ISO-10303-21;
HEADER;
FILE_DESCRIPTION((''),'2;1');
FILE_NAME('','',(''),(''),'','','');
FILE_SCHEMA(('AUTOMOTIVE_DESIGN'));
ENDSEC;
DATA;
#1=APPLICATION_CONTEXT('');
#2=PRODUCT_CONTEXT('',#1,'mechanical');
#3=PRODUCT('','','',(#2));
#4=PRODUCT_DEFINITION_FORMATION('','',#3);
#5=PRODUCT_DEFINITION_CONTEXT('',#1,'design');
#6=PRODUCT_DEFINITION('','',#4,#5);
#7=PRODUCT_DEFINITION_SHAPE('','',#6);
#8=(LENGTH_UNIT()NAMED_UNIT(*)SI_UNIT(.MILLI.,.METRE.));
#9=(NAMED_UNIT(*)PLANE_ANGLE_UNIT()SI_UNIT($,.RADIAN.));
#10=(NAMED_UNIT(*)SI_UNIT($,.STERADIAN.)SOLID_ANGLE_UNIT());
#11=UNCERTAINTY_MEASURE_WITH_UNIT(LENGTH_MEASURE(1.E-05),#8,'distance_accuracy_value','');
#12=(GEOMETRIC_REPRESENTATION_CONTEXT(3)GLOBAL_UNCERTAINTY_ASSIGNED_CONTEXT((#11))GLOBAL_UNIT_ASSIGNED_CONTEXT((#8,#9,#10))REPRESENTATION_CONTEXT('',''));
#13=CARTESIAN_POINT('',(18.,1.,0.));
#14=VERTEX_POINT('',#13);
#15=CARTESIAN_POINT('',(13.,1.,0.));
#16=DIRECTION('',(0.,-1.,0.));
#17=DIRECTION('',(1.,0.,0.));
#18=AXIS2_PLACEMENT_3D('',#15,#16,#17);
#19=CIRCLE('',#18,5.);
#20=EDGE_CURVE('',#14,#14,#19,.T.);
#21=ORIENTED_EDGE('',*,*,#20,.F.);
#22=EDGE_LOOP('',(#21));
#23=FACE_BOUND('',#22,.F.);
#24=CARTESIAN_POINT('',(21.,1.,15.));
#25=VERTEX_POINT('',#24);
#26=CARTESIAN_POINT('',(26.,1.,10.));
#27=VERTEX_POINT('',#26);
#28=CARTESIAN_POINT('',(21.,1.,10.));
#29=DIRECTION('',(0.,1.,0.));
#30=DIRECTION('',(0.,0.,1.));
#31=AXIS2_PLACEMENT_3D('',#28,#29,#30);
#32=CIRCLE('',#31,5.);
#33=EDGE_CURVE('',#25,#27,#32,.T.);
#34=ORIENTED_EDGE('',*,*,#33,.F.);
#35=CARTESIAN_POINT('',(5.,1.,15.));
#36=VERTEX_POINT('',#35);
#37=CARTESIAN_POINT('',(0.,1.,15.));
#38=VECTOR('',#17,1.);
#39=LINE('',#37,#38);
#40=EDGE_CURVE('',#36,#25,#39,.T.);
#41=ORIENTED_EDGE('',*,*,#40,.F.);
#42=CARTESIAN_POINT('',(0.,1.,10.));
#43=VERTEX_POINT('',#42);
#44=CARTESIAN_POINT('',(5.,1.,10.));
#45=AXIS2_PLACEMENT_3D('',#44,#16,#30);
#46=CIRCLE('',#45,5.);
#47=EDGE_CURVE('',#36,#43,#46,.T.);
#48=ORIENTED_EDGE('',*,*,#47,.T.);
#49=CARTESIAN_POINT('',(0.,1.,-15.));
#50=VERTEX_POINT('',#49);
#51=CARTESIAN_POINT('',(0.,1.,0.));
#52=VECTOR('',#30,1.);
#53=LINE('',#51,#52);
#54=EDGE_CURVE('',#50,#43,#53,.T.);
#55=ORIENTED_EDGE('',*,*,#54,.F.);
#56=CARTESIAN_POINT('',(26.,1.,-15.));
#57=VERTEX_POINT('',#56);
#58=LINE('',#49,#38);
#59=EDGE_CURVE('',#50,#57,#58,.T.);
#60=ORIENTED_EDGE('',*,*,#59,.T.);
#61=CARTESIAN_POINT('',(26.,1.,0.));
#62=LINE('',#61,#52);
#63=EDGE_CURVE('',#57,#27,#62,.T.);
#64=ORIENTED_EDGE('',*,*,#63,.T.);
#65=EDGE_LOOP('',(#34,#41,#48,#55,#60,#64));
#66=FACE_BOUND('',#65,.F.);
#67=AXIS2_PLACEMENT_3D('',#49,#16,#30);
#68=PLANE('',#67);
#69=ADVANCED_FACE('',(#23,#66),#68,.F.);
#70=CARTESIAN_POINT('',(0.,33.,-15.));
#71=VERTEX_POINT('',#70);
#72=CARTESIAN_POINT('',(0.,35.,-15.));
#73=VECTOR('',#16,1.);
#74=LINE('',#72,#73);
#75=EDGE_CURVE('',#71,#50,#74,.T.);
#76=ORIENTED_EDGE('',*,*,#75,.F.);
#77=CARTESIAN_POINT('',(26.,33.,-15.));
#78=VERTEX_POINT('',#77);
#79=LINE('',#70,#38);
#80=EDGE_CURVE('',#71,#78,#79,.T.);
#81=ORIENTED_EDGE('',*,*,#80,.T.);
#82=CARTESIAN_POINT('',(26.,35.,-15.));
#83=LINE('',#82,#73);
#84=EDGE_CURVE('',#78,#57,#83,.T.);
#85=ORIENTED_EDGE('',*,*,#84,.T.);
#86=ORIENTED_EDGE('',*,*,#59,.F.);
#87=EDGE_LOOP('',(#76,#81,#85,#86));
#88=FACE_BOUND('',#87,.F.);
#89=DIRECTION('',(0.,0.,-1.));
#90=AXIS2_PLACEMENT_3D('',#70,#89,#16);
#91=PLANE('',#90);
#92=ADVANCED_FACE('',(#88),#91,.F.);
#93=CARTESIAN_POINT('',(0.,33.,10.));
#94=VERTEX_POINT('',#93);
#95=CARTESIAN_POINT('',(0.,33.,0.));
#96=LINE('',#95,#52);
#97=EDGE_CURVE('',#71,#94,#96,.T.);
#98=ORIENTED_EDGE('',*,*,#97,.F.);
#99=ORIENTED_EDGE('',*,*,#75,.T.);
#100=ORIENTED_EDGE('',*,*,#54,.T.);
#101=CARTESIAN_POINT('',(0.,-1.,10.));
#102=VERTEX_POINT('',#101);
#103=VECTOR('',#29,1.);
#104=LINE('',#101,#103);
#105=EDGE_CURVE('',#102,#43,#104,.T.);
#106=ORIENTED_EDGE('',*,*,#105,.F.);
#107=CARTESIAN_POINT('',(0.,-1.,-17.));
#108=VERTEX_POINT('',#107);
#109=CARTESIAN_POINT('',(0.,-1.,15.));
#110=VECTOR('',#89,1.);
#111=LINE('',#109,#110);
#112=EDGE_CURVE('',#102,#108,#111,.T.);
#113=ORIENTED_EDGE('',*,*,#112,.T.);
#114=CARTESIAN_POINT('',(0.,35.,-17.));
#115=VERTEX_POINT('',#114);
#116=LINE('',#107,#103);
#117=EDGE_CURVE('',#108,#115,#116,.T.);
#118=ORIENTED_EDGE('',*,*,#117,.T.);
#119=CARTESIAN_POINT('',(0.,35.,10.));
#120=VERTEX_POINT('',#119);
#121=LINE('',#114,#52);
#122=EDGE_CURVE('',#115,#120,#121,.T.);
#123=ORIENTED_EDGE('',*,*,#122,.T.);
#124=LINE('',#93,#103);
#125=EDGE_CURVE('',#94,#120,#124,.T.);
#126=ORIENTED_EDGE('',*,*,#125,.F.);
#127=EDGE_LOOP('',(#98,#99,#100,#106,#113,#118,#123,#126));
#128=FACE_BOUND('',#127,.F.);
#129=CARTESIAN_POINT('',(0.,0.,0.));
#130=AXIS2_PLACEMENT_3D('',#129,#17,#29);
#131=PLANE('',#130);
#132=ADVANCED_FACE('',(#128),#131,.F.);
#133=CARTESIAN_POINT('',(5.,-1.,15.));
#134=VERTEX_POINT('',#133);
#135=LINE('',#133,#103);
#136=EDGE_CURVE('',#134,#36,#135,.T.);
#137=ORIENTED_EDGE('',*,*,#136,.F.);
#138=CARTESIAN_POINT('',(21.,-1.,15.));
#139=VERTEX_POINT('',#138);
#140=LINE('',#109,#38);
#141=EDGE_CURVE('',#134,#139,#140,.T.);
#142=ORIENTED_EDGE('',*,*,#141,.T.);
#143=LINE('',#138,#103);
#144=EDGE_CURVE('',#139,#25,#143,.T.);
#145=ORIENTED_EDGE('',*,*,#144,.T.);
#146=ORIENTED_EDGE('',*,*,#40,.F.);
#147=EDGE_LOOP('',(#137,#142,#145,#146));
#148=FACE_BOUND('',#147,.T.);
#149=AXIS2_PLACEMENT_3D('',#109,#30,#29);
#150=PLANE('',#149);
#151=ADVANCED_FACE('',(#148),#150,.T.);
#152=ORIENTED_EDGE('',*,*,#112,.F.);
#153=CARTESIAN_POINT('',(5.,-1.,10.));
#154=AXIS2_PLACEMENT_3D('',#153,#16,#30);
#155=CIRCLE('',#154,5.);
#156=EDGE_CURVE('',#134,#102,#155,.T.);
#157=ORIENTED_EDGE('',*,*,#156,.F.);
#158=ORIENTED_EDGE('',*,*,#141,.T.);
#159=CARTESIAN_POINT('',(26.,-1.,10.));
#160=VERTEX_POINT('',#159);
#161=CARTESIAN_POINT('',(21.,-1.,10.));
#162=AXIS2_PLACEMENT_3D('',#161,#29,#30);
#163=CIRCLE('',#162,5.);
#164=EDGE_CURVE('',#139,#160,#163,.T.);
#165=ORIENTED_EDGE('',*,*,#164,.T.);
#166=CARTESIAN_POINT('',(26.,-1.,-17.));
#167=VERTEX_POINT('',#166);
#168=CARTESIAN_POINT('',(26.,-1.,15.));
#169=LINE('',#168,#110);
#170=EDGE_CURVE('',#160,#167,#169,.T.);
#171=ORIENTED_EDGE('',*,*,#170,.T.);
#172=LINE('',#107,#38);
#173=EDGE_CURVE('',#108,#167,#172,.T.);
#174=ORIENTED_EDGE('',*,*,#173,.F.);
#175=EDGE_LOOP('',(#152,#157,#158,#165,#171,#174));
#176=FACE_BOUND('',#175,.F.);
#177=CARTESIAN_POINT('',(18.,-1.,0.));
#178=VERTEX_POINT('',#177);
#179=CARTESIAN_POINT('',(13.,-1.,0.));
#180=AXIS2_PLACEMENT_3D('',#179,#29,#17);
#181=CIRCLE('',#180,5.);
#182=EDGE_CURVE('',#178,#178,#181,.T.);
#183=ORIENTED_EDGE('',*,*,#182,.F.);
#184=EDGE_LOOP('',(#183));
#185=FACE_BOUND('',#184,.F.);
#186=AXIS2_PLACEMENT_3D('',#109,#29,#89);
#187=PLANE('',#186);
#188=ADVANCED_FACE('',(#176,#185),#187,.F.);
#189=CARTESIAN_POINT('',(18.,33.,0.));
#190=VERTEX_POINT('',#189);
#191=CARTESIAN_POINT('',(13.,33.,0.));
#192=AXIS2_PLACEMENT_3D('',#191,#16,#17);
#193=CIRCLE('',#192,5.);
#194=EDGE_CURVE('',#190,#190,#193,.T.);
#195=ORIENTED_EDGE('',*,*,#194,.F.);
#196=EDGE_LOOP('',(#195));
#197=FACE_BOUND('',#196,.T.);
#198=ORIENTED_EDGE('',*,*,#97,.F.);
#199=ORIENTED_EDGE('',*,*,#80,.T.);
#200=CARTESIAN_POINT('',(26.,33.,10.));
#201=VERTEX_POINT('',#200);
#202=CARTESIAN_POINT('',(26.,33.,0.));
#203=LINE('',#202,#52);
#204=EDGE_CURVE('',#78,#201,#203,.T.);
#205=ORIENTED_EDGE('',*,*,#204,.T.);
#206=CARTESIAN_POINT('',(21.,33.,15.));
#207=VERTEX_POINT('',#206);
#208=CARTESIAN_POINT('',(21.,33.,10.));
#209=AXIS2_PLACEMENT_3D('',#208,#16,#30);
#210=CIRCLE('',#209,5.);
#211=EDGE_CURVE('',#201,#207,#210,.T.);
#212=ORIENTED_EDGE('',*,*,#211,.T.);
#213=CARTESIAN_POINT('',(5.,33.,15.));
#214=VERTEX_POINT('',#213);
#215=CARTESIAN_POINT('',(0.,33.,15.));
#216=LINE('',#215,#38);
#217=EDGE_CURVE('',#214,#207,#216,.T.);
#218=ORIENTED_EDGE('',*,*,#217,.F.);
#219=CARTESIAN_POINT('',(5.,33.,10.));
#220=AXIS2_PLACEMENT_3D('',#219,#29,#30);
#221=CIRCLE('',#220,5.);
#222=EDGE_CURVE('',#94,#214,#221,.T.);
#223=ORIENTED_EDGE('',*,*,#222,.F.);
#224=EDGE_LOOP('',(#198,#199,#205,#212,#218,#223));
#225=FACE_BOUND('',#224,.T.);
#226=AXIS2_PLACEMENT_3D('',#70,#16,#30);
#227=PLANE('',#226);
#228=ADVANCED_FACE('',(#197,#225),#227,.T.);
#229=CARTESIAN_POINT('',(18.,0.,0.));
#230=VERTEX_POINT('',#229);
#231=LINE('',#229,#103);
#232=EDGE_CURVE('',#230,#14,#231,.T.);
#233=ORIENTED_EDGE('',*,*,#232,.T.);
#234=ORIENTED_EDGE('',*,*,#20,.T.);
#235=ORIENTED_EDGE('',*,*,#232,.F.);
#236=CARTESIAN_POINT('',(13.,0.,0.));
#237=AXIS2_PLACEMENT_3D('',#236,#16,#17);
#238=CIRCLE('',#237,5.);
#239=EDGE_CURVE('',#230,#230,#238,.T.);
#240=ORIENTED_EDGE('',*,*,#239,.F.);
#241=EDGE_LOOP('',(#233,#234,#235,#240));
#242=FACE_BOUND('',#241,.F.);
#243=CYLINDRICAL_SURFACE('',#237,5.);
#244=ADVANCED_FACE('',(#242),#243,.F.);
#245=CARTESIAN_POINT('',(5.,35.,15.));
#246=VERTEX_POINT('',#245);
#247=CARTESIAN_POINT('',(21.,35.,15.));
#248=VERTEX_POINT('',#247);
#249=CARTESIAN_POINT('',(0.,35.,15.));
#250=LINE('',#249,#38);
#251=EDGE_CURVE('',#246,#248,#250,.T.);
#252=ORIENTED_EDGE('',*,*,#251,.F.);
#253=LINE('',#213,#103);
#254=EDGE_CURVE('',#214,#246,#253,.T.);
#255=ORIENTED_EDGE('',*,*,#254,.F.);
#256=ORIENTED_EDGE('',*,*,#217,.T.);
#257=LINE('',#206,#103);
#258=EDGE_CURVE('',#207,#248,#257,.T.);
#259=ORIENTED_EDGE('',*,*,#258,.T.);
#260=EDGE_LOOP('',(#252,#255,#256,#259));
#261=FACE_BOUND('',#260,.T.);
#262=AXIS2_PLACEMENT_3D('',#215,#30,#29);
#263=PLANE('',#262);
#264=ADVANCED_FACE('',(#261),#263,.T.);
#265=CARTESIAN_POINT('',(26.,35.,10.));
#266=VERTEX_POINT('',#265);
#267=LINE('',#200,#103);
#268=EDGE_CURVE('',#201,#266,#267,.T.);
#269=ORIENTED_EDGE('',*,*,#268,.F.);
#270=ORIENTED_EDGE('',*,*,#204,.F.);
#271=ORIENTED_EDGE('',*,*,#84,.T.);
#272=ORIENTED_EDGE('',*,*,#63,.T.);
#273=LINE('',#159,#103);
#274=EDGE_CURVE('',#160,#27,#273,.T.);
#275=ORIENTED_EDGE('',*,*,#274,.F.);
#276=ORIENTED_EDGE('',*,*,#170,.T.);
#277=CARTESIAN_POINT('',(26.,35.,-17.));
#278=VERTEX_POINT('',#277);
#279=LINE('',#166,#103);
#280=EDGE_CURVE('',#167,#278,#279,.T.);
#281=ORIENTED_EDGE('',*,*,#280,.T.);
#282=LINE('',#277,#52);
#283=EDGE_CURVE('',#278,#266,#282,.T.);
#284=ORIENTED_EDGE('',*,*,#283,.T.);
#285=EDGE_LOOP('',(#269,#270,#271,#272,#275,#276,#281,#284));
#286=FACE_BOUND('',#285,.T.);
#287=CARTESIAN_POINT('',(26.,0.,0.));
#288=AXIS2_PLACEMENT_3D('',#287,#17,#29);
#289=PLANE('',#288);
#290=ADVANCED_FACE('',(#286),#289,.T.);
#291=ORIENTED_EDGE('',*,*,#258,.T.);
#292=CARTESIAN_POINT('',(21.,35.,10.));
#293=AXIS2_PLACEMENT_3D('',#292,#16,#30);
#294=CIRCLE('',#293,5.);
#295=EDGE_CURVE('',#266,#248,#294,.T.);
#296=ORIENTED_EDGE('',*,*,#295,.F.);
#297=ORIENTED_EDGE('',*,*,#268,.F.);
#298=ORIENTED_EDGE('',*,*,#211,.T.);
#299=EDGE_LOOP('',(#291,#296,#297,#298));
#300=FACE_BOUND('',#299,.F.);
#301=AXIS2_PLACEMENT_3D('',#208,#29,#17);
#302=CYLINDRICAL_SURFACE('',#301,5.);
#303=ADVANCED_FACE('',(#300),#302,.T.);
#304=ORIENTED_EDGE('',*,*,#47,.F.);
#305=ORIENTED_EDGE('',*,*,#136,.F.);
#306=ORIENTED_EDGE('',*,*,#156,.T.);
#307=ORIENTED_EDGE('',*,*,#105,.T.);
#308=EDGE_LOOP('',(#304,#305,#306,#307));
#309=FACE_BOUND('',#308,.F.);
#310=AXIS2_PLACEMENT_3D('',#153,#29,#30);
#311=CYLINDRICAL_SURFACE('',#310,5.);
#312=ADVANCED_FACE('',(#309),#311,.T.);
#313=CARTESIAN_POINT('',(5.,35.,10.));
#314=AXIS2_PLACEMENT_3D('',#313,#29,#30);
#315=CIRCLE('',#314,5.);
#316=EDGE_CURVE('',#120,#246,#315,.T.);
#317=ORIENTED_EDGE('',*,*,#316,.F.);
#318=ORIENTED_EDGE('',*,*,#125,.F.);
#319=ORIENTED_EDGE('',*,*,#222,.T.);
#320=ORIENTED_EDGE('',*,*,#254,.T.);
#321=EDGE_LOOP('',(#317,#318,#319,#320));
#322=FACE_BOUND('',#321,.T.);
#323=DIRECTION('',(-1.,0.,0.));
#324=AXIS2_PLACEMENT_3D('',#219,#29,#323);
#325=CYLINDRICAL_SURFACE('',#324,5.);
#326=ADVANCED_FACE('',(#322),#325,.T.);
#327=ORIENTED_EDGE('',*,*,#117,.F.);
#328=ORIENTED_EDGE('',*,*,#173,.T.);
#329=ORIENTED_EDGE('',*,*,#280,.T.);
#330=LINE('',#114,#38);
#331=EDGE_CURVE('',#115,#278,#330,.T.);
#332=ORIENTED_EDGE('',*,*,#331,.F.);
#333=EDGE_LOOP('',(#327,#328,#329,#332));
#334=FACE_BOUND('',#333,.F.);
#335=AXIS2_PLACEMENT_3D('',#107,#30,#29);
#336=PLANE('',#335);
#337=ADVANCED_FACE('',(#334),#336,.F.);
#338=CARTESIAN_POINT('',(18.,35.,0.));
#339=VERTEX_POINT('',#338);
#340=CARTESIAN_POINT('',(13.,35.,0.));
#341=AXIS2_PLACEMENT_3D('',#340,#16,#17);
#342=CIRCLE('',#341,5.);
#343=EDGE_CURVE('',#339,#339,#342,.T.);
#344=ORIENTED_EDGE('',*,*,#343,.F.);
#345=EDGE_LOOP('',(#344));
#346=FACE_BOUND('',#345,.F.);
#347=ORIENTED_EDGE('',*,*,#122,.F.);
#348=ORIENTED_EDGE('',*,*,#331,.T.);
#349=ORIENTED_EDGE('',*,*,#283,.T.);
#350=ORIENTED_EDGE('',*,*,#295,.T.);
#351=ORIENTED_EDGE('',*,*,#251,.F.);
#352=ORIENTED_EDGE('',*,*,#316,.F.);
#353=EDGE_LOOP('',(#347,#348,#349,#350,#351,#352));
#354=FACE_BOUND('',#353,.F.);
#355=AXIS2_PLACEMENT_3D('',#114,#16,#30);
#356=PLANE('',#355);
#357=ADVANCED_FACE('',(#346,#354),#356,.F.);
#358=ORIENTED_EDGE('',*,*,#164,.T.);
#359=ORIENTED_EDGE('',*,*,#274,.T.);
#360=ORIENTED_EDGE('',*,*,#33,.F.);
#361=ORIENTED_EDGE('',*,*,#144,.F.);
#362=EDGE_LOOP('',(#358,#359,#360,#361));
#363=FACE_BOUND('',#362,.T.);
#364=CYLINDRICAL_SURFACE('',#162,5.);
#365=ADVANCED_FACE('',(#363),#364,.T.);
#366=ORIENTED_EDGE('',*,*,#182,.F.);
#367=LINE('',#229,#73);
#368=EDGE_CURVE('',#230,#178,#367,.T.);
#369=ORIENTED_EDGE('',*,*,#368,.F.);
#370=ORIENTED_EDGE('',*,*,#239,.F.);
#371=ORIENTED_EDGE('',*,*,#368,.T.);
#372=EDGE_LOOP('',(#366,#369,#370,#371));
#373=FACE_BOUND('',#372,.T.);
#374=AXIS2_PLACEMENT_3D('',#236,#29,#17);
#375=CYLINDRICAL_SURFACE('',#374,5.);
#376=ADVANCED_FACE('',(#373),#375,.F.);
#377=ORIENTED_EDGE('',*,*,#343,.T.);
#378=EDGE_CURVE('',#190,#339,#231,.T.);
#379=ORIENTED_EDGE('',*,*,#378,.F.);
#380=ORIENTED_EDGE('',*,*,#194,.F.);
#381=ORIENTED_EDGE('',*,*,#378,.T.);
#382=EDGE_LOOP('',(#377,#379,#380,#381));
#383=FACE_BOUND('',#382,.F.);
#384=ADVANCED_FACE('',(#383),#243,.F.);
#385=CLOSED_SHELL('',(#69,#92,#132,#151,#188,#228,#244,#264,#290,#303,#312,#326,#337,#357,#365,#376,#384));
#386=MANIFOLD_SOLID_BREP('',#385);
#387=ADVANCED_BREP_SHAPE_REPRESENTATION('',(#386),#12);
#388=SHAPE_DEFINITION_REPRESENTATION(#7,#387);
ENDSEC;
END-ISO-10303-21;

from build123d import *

# Parameters (mm, degrees)
F0_W     = 2
F0_H     = 30
F1_DEPTH = 26
F2_R     = 5
F3_DEPTH = 40.2
F4_R     = 5
F5_DEPTH = 23
F6_R     = 5


with BuildPart() as f1:
    # F0 (on Right) → F1 (new body)
    with BuildSketch(Plane.YZ):
        Rectangle(F0_W, F0_H)
        Polygon((1, -15), (-1, -15), (-1, -17), (35, -17), (35, -15), (33, -15), align=None)
        with Locations((34, 0)):
            Rectangle(F0_W, F0_H)
    extrude(amount=F1_DEPTH)

    # F2 (on Front) → F3 (cut)
    with BuildSketch(Plane.XZ):
        with Locations((13, 0)):
            Circle(F2_R)
    extrude(amount=-F3_DEPTH, mode=Mode.SUBTRACT)

    # F4 (on Front) → F5 (cut)
    with BuildSketch(Plane.XZ):
        with Locations((13, 0)):
            Circle(F4_R)
    extrude(amount=F5_DEPTH, mode=Mode.SUBTRACT)

    # F6
    f6_edges = [f1.edges().sort_by_distance(p)[0] for p in [
        (26, 0, 15),
        (26, 34, 15),
        (0, 0, 15),
        (0, 34, 15),
    ]]
    fillet(f6_edges, radius=F6_R)


solid = f1.part
